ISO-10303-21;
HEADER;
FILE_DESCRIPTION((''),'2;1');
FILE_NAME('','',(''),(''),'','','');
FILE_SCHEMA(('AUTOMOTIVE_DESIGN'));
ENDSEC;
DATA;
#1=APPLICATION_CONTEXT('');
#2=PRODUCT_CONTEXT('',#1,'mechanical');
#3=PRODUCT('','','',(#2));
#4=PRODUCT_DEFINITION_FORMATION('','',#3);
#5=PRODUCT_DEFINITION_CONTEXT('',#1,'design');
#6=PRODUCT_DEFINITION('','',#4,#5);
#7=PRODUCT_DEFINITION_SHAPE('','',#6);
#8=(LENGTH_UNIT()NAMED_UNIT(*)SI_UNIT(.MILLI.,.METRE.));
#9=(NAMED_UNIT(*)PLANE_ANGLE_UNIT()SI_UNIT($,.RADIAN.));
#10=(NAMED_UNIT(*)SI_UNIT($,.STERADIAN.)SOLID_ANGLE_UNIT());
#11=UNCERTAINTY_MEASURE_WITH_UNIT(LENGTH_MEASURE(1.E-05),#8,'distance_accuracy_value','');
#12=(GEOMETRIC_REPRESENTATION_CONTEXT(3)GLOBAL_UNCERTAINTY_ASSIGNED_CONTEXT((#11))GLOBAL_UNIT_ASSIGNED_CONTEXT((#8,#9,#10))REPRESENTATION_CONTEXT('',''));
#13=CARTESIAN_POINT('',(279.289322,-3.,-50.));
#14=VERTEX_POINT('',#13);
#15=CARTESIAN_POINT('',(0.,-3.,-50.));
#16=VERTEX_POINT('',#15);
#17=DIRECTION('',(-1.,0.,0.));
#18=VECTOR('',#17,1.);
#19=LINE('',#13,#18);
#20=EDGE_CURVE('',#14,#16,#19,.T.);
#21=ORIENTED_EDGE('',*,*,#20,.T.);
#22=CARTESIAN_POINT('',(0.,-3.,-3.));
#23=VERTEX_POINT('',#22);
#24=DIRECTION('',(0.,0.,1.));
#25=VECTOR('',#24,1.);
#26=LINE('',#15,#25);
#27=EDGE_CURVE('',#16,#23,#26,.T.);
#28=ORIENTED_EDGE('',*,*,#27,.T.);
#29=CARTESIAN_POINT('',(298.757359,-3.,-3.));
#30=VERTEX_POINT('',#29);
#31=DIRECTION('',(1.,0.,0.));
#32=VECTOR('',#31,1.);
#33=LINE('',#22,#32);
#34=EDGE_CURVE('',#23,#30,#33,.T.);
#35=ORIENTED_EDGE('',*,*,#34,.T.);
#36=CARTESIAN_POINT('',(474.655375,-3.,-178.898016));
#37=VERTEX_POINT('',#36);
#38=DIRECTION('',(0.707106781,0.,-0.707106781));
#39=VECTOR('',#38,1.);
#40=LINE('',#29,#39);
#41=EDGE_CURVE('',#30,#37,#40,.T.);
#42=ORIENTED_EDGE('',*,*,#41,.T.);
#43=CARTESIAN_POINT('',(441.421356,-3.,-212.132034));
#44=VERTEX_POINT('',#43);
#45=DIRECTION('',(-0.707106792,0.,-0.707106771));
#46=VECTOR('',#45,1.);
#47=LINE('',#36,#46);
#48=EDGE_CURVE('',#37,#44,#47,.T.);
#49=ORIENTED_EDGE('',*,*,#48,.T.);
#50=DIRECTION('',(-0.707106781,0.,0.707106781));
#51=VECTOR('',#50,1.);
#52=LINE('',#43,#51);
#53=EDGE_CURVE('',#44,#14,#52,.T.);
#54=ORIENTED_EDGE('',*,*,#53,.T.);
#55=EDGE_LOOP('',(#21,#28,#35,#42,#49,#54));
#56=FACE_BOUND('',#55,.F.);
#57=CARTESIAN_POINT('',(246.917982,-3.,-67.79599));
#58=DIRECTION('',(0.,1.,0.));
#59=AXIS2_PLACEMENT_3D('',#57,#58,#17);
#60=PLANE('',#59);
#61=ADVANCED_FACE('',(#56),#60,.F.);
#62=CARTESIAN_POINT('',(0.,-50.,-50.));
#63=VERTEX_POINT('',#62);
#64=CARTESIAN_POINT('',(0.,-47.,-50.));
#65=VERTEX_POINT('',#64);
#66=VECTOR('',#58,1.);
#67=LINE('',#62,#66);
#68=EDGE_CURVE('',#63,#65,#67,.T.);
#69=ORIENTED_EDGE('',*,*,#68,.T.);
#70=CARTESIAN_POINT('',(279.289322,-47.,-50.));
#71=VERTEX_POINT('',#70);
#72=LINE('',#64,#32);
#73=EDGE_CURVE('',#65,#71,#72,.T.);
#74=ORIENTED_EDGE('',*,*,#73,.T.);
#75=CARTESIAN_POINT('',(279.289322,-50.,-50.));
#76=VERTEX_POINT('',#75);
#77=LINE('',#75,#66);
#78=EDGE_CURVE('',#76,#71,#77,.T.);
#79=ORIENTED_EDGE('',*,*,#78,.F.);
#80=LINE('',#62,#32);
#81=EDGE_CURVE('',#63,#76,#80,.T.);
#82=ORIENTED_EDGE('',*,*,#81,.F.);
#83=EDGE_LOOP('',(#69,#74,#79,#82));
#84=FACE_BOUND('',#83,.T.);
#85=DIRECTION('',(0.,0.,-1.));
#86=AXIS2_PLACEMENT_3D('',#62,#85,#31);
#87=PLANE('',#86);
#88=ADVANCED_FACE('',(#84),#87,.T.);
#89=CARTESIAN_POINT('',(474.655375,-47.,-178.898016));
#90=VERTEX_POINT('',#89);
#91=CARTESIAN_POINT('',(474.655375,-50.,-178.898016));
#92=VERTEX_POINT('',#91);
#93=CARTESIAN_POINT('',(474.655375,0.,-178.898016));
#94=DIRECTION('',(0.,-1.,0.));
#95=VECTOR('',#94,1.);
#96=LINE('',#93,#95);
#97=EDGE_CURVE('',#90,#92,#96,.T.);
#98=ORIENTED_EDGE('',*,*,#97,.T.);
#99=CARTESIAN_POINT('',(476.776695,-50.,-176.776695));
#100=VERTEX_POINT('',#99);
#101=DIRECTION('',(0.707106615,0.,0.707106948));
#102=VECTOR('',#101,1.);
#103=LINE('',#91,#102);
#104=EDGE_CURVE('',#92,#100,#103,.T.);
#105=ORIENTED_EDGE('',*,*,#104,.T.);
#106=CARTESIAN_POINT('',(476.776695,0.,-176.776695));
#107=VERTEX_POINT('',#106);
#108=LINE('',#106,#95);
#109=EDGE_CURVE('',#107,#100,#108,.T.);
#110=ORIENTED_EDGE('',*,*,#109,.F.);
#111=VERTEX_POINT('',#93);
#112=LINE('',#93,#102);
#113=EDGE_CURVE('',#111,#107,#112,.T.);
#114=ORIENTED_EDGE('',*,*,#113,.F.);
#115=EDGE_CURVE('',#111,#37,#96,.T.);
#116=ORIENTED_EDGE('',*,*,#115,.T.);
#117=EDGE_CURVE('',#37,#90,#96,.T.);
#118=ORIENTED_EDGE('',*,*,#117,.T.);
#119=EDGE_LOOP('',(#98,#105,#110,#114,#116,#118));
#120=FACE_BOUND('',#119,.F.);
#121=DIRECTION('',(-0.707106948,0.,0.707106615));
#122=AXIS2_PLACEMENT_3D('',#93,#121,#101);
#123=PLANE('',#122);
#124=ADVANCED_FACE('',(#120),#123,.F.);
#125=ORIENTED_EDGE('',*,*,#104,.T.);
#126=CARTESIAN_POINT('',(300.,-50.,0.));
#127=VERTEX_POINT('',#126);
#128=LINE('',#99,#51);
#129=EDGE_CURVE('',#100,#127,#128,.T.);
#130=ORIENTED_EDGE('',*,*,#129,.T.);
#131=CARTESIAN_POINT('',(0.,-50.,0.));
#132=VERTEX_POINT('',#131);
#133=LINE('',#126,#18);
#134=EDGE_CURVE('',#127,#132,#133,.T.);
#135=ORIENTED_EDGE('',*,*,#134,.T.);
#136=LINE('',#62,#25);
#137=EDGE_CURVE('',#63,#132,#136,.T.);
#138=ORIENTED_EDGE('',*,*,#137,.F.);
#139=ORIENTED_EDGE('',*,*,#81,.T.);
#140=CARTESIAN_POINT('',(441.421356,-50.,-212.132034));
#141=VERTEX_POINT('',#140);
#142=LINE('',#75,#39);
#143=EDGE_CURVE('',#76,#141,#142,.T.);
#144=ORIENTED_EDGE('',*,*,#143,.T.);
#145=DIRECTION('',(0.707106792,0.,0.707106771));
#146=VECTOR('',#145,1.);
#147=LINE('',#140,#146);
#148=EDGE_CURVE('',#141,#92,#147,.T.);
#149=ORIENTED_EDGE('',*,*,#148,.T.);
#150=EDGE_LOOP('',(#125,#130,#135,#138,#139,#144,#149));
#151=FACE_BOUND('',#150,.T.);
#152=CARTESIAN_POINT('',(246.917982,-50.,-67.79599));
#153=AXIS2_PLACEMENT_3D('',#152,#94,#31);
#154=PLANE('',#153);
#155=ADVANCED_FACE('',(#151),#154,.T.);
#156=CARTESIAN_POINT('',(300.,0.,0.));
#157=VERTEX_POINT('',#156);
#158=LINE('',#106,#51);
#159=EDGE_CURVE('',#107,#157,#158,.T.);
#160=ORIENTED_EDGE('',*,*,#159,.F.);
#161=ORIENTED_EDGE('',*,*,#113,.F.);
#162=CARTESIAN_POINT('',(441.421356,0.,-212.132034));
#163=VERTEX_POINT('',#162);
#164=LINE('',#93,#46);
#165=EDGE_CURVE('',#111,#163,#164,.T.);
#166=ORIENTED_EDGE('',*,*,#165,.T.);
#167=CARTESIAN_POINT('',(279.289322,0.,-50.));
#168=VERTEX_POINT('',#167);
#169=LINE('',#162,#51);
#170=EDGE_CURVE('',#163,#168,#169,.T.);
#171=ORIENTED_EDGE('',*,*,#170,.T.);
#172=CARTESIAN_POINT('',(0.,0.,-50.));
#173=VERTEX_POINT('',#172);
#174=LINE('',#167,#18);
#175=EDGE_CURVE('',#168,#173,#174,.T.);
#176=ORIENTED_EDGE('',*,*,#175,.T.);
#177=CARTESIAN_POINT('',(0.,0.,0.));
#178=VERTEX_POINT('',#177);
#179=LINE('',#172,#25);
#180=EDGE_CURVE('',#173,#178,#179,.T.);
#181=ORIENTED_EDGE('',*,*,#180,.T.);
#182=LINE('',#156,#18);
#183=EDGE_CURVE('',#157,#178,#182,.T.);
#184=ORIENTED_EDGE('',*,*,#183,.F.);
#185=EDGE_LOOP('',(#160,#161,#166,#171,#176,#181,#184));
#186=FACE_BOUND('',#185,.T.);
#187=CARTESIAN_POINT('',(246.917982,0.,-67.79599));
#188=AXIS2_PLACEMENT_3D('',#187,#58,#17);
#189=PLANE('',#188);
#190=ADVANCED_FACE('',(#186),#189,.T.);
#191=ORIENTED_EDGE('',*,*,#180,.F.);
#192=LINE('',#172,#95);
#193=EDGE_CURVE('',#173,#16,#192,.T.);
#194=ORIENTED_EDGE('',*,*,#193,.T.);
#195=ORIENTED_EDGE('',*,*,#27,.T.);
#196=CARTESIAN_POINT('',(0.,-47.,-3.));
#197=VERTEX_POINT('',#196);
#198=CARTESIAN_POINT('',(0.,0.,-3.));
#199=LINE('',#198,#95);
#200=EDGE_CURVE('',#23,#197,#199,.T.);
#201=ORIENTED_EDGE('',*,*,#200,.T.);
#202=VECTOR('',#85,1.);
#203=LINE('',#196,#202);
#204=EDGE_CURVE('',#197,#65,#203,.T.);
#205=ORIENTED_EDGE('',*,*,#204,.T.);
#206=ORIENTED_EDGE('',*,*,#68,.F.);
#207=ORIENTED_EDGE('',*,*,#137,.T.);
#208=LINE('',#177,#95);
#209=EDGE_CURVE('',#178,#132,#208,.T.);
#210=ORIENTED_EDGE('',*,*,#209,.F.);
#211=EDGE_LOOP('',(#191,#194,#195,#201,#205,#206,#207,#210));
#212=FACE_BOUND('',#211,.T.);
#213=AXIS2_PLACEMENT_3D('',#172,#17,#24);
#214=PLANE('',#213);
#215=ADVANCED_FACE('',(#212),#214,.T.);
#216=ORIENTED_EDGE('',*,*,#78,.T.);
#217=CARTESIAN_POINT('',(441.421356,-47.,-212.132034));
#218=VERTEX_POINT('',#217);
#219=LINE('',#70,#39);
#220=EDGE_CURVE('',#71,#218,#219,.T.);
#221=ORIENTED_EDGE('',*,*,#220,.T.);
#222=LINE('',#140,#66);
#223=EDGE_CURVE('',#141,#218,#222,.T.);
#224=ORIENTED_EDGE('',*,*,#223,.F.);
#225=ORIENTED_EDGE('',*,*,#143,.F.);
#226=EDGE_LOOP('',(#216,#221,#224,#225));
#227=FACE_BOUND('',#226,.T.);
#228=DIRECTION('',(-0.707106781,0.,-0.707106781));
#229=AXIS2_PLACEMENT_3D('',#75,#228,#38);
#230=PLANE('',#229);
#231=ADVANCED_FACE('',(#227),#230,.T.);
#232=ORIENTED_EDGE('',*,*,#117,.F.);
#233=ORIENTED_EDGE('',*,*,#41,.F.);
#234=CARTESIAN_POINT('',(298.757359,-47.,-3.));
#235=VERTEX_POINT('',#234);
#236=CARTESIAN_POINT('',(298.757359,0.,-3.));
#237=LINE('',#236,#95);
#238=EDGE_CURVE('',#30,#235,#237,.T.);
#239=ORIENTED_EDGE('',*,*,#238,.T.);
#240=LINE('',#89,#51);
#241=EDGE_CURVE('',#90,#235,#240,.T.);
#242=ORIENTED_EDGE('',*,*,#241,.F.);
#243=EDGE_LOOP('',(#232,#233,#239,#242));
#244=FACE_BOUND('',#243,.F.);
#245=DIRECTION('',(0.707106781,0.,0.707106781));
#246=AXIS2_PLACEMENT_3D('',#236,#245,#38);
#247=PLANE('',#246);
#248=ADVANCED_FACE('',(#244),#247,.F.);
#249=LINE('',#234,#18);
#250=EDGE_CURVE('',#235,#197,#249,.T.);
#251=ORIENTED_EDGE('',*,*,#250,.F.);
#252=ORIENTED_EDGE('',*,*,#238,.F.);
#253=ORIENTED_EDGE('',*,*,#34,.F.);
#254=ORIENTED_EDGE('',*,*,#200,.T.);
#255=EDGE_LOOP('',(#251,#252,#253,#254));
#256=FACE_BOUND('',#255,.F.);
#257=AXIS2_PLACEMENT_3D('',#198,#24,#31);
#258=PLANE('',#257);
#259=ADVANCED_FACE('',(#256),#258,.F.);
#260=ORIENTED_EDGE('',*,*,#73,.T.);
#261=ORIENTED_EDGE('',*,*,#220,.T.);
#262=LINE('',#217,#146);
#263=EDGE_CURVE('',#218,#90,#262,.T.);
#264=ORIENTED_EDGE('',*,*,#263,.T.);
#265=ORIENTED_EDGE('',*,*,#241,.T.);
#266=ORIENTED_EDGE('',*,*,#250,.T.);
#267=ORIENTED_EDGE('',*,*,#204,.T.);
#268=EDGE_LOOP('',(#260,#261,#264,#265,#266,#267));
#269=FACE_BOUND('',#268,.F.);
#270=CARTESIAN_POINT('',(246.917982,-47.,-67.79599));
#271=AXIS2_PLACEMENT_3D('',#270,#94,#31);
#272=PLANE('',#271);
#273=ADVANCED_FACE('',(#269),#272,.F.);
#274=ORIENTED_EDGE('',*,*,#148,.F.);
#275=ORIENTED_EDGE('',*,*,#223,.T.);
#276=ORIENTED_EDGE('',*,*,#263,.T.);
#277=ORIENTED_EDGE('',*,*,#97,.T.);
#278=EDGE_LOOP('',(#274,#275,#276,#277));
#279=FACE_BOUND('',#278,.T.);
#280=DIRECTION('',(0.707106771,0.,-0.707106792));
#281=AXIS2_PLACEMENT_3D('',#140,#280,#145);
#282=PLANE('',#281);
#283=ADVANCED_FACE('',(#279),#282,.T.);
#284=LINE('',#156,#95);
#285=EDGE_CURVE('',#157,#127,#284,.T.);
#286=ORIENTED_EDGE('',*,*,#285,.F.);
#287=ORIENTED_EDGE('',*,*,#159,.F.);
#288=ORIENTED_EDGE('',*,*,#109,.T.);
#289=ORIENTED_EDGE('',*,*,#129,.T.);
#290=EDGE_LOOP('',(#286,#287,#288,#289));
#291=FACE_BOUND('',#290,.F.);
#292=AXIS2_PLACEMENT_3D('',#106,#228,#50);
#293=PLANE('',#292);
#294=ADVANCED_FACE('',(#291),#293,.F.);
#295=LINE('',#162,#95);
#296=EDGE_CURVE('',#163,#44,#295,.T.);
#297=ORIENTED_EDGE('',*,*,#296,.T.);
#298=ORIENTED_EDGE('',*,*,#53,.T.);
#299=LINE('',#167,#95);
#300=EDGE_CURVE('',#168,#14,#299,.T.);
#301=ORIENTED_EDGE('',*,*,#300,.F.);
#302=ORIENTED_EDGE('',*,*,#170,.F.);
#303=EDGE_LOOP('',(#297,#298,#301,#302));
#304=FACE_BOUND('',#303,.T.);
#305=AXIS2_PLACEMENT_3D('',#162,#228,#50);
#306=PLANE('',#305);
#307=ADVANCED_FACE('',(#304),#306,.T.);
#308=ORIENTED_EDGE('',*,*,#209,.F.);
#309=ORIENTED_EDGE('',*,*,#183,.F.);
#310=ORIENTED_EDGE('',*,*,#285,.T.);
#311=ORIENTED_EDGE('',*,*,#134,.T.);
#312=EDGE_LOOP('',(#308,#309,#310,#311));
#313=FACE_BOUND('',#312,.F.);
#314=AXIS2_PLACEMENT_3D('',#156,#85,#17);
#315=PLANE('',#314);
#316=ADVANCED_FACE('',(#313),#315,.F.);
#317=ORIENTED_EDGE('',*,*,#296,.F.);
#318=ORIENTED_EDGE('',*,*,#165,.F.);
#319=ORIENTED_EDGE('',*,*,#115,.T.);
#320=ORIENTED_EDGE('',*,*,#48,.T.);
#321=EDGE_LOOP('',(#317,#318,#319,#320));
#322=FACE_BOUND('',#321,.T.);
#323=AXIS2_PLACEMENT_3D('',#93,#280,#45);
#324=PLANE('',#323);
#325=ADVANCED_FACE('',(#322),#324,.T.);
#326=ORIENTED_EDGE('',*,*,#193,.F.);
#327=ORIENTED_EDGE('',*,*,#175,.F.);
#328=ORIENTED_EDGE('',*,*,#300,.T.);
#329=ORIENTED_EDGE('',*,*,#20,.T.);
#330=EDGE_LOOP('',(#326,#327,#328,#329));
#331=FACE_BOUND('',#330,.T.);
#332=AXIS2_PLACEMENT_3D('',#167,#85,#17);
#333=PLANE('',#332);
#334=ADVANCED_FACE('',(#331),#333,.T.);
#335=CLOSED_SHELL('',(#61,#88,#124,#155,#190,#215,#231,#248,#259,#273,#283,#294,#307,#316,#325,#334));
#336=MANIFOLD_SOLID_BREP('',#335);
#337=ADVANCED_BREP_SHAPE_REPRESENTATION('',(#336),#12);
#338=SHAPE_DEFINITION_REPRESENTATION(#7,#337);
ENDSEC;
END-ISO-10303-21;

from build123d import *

# Parameters (mm, degrees)
F1_DEPTH = 50
F3_DEPTH = 3
F5_DEPTH = 3


with BuildPart() as f1:
    # F0 (on Front) → F1 (new body)
    with BuildSketch(Plane.XZ):
        Polygon((300, 0), (0, 0), (0, -3), (298.757359, -3), (474.655375, -178.898016), (476.776695, -176.776695), align=None)
    extrude(amount=F1_DEPTH)

    # F2 (on face) → F3 (join)
    with BuildSketch(Plane.XZ.offset(50)):
        Polygon((474.655375, -178.898016), (298.757359, -3), (0, -3), (0, -50), (279.289322, -50), (441.421356, -212.132034), align=None)
    extrude(amount=-F3_DEPTH)

    # F4 (on face) → F5 (join)
    with BuildSketch(Plane(origin=(0, 0, 0), x_dir=(-1, 0, 0), z_dir=(0, 1, 0))):
        Polygon((-298.757359, -3), (-474.655375, -178.898016), (-441.421356, -212.132034), (-279.289322, -50), (0, -50), (0, -3), align=None)
    extrude(amount=-F5_DEPTH)


solid = f1.part
